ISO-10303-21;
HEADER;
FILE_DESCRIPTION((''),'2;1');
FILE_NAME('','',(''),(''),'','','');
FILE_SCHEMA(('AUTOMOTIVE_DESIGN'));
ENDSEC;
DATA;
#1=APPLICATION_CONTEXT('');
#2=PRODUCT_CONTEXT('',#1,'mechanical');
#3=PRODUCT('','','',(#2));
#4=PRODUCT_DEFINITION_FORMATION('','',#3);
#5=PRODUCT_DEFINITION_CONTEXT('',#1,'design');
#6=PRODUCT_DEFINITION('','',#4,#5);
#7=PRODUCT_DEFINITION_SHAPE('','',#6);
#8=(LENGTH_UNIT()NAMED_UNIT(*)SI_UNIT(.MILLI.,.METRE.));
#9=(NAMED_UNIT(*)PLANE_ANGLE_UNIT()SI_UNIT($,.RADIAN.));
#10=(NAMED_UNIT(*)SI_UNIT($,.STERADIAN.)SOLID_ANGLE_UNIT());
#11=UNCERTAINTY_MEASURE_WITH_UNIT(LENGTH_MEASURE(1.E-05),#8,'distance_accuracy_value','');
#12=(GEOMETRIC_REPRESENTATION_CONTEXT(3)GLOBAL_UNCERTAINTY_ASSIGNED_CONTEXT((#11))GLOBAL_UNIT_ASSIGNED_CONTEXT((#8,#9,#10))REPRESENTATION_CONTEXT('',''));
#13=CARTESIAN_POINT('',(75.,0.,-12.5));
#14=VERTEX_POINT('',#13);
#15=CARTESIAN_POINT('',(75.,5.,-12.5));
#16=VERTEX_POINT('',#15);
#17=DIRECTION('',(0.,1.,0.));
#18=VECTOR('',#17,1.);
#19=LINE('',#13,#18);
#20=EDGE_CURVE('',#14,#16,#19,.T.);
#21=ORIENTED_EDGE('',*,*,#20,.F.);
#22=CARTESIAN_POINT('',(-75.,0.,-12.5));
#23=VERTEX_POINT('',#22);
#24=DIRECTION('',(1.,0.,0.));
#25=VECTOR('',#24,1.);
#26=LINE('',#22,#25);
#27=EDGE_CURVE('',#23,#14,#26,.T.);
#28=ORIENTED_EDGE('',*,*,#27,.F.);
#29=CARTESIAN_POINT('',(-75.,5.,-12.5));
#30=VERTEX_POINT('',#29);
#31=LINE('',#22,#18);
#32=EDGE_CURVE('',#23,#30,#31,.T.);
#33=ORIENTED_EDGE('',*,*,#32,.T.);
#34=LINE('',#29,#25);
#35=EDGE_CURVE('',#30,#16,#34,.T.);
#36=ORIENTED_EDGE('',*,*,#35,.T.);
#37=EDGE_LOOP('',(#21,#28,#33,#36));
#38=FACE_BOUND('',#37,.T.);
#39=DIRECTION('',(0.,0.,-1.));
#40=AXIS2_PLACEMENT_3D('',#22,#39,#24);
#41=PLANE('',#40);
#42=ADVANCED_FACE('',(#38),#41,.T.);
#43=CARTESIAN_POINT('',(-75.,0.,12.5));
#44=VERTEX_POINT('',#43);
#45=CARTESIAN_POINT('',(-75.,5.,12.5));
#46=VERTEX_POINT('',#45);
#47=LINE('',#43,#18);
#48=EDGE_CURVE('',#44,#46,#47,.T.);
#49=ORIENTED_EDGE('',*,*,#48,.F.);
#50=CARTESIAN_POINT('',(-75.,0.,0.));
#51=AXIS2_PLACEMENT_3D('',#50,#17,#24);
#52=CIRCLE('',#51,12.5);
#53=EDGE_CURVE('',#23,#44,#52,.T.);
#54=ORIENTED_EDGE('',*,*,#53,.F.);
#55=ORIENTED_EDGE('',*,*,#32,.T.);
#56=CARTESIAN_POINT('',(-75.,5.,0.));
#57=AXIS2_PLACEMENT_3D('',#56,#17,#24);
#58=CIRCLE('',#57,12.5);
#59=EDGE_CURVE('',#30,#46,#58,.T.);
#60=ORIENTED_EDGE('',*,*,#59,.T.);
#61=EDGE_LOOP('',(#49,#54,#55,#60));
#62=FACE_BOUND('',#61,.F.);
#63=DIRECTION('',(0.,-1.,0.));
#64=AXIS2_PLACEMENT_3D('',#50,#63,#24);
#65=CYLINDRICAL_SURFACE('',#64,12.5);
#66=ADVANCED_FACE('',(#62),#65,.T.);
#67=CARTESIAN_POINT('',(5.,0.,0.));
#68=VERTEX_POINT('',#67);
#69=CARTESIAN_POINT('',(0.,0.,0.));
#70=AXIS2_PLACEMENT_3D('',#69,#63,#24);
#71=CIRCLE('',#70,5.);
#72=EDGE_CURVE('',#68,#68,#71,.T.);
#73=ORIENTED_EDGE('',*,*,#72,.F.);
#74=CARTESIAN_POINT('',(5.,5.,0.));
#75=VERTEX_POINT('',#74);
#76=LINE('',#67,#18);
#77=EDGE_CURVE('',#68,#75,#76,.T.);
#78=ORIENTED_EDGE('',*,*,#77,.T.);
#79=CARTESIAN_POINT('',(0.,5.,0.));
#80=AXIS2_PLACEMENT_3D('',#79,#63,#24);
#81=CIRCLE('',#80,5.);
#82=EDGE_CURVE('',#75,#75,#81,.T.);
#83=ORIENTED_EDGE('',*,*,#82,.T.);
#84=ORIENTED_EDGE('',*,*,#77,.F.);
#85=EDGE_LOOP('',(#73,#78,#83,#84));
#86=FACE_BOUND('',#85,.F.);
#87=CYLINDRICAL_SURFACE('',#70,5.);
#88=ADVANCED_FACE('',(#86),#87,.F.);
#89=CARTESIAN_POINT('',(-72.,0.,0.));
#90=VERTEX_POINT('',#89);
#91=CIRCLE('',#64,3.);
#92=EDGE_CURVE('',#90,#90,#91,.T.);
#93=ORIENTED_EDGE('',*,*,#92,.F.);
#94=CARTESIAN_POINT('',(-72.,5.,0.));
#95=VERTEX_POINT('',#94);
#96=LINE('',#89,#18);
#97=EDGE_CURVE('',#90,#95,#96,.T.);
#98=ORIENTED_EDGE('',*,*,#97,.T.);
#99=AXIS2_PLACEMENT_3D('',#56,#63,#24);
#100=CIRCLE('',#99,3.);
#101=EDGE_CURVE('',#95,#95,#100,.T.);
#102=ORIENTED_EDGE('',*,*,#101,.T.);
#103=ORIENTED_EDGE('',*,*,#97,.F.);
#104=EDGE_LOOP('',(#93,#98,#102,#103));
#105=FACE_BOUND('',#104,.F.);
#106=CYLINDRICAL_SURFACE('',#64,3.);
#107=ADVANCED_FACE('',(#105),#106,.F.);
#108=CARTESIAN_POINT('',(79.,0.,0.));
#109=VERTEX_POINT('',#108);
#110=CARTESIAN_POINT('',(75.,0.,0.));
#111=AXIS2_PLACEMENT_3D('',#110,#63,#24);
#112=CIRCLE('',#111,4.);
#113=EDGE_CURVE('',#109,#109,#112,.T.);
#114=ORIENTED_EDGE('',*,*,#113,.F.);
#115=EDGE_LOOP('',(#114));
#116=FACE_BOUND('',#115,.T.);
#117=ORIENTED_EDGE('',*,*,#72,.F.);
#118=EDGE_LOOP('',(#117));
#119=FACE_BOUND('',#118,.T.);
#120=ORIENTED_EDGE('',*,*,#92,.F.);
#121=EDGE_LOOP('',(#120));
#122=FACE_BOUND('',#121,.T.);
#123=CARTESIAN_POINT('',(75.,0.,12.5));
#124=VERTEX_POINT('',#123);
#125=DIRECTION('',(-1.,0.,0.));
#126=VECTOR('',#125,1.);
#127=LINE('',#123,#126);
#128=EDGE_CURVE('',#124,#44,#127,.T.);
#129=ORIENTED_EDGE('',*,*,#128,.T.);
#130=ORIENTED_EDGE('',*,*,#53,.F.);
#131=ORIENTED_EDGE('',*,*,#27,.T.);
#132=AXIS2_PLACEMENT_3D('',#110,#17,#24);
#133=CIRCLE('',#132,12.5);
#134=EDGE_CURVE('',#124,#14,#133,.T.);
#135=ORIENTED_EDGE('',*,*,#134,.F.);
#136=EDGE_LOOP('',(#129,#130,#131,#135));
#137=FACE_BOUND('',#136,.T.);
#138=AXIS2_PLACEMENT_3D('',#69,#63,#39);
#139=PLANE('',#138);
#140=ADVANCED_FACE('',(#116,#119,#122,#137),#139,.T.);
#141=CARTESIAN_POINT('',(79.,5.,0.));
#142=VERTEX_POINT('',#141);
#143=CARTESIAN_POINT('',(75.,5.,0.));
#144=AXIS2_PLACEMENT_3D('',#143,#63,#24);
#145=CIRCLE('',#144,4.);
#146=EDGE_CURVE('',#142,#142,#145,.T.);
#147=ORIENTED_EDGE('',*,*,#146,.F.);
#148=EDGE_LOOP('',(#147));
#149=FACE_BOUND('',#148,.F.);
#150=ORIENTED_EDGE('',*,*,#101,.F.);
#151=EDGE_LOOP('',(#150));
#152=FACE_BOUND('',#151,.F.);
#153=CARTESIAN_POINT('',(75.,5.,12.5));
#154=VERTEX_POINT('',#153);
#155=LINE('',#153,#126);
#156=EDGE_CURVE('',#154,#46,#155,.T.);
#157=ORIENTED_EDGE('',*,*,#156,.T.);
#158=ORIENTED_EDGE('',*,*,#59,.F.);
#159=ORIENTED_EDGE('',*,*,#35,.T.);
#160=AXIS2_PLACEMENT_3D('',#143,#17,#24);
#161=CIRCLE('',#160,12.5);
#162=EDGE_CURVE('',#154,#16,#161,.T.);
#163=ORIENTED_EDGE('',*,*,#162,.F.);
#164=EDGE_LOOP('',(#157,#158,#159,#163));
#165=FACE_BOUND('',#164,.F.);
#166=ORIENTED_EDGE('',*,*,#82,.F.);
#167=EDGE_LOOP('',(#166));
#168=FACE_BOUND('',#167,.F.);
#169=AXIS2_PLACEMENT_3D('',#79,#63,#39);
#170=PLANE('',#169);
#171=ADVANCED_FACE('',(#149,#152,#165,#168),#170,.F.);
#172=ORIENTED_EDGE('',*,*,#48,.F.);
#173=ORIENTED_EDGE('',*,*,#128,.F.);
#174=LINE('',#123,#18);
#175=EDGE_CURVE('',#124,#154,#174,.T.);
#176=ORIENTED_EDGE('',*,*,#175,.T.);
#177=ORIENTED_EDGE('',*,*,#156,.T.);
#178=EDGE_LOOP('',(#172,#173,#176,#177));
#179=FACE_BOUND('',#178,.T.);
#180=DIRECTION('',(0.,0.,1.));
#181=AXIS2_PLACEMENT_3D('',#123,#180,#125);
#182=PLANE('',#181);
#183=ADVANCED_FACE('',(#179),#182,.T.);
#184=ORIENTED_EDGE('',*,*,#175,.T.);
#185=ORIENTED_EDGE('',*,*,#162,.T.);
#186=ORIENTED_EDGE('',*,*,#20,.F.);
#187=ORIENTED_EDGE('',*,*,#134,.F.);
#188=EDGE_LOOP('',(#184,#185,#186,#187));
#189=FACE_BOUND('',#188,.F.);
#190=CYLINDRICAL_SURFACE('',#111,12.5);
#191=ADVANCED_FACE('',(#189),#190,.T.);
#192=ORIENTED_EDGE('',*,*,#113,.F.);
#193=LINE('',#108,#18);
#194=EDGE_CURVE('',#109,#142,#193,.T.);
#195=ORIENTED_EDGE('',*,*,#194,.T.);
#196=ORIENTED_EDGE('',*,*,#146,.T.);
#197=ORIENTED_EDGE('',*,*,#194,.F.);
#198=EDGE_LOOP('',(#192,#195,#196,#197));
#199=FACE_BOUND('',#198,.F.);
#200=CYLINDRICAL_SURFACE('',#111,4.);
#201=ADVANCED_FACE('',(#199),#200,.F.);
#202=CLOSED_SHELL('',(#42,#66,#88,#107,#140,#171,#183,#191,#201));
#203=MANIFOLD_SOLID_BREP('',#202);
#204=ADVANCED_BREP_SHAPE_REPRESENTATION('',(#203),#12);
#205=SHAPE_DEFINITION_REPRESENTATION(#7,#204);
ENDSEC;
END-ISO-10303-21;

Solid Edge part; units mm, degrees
sketch "Sketch1" plane through (0, 0, 0) normal (0, -1, 0) x (1, 0, 0)
  line L0 (75, 12.5) -> (-75, 12.5)
  line L1 (-75, -12.5) -> (75, -12.5)
  arc A0 (-75, -12.5) -> (-75, 12.5) centre (-75, 0) cw
  arc A1 (75, 12.5) -> (75, -12.5) centre (75, 0) cw
  circle A2 centre (-75, 0) radius 3
  circle A3 centre (75, 0) radius 4
  circle A4 centre (0, 0) radius 5
extrude "ExtrudedProtrusion_2" add sketch "Sketch1" against normal blind 5
properties material "Polycarbonate( 20-40% Glass Fiber)"
